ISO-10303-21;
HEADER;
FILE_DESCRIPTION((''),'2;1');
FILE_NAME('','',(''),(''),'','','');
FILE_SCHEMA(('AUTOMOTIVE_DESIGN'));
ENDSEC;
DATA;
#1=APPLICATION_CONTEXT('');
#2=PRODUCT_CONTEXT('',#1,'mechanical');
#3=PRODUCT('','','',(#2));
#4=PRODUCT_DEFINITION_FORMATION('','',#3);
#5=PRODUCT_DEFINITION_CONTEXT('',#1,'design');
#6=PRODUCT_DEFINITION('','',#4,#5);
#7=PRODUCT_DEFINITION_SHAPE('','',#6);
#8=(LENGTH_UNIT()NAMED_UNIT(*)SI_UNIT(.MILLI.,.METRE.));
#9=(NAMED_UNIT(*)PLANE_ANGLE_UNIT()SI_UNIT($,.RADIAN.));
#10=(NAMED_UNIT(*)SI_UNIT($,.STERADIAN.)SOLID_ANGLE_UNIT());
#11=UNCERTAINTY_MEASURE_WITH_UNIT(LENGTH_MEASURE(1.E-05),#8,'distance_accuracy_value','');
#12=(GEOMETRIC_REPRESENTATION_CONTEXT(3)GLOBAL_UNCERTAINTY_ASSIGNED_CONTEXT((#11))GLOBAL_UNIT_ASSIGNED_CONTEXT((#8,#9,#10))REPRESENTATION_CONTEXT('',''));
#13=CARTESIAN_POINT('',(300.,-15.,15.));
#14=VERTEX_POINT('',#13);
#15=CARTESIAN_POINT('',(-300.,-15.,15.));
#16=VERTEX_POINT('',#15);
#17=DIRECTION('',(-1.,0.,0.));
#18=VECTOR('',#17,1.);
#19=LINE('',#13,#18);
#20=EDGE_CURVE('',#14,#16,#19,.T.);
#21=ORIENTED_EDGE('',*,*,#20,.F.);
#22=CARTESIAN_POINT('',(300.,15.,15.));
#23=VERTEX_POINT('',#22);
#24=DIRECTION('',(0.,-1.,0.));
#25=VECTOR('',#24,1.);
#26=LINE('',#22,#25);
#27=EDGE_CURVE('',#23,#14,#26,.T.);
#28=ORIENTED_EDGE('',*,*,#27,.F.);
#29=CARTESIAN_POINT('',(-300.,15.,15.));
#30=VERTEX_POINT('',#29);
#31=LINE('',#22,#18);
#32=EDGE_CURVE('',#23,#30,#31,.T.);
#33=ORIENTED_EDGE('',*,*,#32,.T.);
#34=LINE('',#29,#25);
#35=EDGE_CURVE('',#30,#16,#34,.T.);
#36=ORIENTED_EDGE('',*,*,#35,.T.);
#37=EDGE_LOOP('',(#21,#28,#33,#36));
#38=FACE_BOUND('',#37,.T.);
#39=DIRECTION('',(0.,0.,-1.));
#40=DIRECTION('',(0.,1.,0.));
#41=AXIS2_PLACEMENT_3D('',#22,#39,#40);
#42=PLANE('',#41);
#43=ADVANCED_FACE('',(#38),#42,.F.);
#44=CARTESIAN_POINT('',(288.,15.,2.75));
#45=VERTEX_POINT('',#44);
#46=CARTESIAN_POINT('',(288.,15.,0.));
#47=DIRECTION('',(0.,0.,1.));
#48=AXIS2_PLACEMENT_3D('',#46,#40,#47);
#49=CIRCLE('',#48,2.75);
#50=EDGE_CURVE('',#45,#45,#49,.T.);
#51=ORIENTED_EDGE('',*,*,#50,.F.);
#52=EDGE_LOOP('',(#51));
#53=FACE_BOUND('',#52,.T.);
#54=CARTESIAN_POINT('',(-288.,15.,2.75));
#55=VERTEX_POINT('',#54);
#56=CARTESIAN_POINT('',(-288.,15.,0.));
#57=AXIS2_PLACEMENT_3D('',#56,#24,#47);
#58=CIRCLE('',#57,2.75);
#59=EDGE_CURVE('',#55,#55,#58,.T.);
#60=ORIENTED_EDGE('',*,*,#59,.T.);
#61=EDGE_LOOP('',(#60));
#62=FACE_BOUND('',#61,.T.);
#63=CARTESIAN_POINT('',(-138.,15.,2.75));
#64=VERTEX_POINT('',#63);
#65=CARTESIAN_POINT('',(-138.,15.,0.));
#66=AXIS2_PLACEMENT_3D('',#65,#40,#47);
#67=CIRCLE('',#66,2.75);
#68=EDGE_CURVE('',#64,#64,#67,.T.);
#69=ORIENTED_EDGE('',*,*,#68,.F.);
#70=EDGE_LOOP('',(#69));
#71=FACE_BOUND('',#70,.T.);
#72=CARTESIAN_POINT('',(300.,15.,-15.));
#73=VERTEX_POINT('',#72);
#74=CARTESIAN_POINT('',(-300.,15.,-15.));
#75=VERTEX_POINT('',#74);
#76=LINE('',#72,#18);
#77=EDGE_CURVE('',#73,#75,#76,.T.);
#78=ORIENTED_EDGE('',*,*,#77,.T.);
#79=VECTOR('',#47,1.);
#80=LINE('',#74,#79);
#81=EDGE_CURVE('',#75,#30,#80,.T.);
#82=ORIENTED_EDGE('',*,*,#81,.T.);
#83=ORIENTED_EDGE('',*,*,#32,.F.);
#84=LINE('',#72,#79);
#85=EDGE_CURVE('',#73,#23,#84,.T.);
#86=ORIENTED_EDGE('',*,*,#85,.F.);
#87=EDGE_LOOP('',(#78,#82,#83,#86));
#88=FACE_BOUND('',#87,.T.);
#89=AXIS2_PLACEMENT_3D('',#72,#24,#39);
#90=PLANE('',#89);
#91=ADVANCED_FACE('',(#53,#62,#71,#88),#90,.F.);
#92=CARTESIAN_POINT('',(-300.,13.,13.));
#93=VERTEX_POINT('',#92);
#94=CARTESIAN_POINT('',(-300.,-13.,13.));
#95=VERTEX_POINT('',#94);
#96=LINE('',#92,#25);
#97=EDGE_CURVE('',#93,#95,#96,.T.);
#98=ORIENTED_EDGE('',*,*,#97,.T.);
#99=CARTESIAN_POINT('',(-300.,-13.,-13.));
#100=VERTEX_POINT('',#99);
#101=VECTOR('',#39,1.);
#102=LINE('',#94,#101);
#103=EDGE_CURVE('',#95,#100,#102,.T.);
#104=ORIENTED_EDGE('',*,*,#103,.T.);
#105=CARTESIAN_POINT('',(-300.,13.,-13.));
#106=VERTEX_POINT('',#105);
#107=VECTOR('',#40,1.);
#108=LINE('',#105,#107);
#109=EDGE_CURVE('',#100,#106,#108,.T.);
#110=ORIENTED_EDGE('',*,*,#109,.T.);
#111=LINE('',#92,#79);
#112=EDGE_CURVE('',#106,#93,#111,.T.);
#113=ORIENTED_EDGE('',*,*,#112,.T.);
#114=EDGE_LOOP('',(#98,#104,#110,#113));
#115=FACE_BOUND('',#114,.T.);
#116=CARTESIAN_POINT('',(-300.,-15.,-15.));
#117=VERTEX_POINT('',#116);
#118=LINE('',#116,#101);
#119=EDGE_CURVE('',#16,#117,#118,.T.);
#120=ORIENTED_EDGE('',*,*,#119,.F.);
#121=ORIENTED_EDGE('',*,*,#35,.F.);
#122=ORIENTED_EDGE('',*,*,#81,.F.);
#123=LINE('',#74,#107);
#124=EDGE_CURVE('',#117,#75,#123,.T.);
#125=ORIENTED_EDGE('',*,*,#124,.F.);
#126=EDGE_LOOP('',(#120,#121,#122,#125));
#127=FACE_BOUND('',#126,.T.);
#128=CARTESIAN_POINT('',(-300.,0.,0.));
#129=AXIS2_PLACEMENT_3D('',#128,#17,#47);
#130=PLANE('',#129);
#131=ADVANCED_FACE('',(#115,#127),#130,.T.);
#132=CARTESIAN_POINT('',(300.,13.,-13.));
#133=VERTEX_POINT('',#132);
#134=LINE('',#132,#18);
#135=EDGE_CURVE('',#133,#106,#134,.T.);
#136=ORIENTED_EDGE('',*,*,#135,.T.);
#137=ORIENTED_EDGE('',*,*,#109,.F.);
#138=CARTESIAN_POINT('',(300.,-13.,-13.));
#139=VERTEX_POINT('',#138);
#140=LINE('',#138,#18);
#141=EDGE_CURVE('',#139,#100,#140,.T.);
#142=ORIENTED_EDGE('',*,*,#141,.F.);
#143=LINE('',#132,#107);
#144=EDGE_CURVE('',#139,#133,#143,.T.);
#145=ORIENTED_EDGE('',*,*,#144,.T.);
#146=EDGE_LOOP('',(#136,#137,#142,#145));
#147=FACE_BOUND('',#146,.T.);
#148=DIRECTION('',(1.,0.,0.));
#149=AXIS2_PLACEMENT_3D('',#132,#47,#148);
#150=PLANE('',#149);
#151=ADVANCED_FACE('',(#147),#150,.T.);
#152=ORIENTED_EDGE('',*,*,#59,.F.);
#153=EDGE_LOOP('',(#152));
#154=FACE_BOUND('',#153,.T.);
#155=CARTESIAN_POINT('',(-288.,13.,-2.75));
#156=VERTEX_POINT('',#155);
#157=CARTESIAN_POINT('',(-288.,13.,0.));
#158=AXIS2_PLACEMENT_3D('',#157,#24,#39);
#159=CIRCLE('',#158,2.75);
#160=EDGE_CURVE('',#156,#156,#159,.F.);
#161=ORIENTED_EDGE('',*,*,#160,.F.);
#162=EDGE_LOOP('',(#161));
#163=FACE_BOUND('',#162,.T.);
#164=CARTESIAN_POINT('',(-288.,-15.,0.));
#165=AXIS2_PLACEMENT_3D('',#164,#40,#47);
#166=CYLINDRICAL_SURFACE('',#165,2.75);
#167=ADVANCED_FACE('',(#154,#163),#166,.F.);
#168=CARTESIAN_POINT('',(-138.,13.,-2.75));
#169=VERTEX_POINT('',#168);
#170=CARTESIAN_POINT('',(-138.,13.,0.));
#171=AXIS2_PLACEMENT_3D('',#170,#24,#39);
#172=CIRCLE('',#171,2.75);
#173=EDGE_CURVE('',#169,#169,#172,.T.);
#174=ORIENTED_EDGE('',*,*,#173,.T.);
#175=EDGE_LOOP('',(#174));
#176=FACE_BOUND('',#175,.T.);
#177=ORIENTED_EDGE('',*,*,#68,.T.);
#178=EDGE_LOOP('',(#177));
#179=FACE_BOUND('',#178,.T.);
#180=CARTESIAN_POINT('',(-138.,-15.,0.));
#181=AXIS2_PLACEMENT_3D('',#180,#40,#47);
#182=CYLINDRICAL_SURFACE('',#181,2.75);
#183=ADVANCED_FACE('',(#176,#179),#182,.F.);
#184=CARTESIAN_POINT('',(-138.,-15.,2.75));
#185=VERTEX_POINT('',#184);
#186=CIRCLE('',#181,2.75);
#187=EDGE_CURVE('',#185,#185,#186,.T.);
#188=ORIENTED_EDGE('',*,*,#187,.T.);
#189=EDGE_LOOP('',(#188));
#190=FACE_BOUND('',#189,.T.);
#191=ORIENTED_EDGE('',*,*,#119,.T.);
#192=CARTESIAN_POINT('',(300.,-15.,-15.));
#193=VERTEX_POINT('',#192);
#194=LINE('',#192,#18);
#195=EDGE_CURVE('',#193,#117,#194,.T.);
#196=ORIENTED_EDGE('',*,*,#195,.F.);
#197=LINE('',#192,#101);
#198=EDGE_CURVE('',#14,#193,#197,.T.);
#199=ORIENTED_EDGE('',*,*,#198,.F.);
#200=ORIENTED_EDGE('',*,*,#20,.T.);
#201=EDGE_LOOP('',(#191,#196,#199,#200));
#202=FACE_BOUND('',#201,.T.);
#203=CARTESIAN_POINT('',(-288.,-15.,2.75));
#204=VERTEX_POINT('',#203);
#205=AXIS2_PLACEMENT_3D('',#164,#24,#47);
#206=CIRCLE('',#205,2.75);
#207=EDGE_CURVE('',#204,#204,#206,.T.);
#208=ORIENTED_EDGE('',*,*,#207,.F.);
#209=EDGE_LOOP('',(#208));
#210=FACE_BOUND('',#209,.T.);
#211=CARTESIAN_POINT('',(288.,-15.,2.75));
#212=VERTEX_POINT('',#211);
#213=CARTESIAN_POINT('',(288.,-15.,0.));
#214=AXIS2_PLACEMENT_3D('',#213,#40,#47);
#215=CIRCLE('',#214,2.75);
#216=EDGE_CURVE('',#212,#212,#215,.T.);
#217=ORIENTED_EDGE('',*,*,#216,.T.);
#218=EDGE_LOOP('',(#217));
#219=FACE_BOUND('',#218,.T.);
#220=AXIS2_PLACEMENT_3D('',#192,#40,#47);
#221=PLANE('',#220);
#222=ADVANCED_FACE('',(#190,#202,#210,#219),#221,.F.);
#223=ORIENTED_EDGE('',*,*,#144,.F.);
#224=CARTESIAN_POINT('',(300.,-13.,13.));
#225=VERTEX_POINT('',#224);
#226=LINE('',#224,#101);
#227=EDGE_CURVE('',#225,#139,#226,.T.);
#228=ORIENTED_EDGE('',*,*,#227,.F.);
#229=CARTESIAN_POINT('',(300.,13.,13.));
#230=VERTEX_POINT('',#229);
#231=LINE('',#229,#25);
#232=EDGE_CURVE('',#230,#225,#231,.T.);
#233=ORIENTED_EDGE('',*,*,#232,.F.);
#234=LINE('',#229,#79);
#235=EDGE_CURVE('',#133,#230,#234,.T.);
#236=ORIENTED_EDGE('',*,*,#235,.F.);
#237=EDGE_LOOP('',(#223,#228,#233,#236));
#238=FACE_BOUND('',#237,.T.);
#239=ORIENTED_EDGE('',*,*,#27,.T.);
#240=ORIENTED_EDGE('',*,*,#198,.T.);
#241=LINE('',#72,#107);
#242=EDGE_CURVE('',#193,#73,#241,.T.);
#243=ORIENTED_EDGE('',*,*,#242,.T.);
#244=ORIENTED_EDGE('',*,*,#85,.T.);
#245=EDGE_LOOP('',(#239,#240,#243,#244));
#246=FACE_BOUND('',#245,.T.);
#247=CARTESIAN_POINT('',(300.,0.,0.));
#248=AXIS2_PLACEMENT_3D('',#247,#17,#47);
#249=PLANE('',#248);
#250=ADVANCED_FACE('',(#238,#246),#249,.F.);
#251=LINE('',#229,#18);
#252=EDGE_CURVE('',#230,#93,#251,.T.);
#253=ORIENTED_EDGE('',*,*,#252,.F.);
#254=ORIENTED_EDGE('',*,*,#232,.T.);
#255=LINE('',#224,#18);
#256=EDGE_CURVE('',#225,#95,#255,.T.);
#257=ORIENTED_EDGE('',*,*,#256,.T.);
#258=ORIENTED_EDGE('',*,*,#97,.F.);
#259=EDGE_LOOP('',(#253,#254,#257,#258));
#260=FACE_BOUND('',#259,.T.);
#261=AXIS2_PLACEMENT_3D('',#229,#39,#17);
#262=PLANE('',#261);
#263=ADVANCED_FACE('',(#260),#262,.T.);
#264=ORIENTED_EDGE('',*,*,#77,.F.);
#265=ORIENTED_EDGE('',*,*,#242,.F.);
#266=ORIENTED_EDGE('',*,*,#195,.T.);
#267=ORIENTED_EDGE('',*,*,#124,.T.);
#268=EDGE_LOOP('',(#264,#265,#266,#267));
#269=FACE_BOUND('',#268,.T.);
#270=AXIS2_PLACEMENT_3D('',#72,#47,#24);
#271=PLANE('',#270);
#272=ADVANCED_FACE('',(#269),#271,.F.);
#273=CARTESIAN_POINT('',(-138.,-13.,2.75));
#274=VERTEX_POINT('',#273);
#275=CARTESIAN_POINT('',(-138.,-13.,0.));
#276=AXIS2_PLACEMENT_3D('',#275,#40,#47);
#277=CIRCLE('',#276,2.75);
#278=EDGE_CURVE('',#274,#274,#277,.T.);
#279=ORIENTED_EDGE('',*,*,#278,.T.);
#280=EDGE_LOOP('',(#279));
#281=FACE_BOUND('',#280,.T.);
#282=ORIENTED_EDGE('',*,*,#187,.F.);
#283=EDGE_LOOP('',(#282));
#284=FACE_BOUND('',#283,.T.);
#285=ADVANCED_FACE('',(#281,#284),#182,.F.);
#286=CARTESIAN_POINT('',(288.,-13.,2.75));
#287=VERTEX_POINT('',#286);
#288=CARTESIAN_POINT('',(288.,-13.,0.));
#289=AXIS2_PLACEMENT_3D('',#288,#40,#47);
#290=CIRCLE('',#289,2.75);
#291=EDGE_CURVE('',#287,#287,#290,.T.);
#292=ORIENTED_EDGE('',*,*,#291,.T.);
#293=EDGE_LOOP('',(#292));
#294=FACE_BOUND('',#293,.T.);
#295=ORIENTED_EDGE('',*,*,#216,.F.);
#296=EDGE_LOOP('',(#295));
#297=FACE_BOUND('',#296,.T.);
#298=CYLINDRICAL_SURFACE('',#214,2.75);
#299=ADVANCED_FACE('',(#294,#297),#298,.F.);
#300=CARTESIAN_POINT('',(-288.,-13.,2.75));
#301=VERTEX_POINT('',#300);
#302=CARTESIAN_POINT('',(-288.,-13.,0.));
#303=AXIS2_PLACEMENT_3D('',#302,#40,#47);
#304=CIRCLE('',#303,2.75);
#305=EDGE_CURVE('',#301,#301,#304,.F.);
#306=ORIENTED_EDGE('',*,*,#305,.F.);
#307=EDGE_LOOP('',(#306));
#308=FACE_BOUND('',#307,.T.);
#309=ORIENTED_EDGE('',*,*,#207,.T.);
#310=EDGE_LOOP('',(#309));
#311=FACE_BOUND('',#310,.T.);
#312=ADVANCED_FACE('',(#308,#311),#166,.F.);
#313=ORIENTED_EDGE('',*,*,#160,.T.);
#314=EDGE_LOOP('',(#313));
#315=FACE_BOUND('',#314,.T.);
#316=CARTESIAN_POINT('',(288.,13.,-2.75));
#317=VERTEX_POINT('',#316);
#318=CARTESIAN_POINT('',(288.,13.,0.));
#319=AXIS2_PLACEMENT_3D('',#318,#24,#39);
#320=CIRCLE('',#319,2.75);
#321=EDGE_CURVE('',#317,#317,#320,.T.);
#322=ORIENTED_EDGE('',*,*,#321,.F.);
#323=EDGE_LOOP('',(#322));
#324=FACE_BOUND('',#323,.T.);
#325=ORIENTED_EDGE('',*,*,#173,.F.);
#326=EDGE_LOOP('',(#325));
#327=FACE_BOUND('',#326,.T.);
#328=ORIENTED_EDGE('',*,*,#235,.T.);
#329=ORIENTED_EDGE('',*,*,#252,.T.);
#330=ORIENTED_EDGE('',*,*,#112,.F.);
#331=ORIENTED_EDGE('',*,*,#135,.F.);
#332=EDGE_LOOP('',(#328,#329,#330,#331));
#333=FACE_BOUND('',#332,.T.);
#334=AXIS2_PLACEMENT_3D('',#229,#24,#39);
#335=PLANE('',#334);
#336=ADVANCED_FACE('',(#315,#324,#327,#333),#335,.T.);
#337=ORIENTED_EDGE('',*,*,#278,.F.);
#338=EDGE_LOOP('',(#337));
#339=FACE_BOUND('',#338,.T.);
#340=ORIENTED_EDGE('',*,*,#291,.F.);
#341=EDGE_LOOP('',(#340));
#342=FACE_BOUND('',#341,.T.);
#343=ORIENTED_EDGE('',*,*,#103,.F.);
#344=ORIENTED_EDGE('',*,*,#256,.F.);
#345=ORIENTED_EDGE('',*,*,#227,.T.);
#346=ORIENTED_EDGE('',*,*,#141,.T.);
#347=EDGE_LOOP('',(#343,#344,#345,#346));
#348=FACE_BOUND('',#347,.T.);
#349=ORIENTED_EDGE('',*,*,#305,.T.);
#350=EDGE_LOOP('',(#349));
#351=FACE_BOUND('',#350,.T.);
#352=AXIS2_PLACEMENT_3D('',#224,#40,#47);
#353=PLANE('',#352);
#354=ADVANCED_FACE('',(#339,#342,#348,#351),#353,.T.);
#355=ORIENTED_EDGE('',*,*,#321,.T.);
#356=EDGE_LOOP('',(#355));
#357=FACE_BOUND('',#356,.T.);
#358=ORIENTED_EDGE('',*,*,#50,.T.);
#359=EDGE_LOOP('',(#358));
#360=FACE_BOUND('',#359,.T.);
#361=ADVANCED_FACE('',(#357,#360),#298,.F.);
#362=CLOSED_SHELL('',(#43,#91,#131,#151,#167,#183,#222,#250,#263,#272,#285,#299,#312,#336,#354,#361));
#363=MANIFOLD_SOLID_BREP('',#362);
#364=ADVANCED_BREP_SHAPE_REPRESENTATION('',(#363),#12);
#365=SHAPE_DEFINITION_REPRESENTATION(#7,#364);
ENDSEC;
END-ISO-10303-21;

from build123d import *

# Parameters (mm, degrees)
SKETCH1_W               = 30
SKETCH1_H               = 30
SKETCH1_W_2             = 26
SKETCH1_H_2             = 26
BOSS_EXTRUDE1_DEPTH     = 300
SKETCH2_R               = 2.75
CUT_EXTRUDE1_DEPTH      = 301.749064836
CUT_EXTRUDE2_DEPTH      = 301.749064836
CUT_EXTRUDE2_DEPTH_BACK = 301.749064836
SKETCH3_R               = 2.75


with BuildPart() as part:
    # Sketch1 → Boss-Extrude1 (new, symmetric)
    with BuildSketch(Plane(origin=(0, 0, 0), x_dir=(0, 0, -1), z_dir=(1, 0, 0))):
        Rectangle(SKETCH1_W, SKETCH1_H)
        Rectangle(SKETCH1_W_2, SKETCH1_H_2, mode=Mode.SUBTRACT)
    extrude(amount=BOSS_EXTRUDE1_DEPTH, both=True)

    # Sketch2 → Cut-Extrude1 (cut, symmetric)
    with BuildSketch(Plane(origin=(0, 0, 0), x_dir=(1, 0, 0), z_dir=(0, 1, 0))):
        with Locations(Location((288, 0, 0), (0, 0, 270))):
            Circle(SKETCH2_R)
    cut_extrude1 = extrude(amount=CUT_EXTRUDE1_DEPTH, both=True, mode=Mode.SUBTRACT)

    # Mirror1: Cut-Extrude1 across plane
    add(cut_extrude1.mirror(Plane(origin=(0, 0, 0), x_dir=(0, 0, 1), z_dir=(1, 0, 0))), mode=Mode.SUBTRACT)

    # Sketch3 → Cut-Extrude2 (cut, two sides: drawn at the far end of the back side and taken through both)
    with BuildSketch(Plane(origin=(0, 0, 0), x_dir=(1, 0, 0), z_dir=(0, 1, 0)).offset(-CUT_EXTRUDE2_DEPTH_BACK)):
        with Locations(Location((-138, 0, 0), (0, 0, 270))):
            Circle(SKETCH3_R)
    extrude(amount=CUT_EXTRUDE2_DEPTH + CUT_EXTRUDE2_DEPTH_BACK, mode=Mode.SUBTRACT)


solid = part.part
